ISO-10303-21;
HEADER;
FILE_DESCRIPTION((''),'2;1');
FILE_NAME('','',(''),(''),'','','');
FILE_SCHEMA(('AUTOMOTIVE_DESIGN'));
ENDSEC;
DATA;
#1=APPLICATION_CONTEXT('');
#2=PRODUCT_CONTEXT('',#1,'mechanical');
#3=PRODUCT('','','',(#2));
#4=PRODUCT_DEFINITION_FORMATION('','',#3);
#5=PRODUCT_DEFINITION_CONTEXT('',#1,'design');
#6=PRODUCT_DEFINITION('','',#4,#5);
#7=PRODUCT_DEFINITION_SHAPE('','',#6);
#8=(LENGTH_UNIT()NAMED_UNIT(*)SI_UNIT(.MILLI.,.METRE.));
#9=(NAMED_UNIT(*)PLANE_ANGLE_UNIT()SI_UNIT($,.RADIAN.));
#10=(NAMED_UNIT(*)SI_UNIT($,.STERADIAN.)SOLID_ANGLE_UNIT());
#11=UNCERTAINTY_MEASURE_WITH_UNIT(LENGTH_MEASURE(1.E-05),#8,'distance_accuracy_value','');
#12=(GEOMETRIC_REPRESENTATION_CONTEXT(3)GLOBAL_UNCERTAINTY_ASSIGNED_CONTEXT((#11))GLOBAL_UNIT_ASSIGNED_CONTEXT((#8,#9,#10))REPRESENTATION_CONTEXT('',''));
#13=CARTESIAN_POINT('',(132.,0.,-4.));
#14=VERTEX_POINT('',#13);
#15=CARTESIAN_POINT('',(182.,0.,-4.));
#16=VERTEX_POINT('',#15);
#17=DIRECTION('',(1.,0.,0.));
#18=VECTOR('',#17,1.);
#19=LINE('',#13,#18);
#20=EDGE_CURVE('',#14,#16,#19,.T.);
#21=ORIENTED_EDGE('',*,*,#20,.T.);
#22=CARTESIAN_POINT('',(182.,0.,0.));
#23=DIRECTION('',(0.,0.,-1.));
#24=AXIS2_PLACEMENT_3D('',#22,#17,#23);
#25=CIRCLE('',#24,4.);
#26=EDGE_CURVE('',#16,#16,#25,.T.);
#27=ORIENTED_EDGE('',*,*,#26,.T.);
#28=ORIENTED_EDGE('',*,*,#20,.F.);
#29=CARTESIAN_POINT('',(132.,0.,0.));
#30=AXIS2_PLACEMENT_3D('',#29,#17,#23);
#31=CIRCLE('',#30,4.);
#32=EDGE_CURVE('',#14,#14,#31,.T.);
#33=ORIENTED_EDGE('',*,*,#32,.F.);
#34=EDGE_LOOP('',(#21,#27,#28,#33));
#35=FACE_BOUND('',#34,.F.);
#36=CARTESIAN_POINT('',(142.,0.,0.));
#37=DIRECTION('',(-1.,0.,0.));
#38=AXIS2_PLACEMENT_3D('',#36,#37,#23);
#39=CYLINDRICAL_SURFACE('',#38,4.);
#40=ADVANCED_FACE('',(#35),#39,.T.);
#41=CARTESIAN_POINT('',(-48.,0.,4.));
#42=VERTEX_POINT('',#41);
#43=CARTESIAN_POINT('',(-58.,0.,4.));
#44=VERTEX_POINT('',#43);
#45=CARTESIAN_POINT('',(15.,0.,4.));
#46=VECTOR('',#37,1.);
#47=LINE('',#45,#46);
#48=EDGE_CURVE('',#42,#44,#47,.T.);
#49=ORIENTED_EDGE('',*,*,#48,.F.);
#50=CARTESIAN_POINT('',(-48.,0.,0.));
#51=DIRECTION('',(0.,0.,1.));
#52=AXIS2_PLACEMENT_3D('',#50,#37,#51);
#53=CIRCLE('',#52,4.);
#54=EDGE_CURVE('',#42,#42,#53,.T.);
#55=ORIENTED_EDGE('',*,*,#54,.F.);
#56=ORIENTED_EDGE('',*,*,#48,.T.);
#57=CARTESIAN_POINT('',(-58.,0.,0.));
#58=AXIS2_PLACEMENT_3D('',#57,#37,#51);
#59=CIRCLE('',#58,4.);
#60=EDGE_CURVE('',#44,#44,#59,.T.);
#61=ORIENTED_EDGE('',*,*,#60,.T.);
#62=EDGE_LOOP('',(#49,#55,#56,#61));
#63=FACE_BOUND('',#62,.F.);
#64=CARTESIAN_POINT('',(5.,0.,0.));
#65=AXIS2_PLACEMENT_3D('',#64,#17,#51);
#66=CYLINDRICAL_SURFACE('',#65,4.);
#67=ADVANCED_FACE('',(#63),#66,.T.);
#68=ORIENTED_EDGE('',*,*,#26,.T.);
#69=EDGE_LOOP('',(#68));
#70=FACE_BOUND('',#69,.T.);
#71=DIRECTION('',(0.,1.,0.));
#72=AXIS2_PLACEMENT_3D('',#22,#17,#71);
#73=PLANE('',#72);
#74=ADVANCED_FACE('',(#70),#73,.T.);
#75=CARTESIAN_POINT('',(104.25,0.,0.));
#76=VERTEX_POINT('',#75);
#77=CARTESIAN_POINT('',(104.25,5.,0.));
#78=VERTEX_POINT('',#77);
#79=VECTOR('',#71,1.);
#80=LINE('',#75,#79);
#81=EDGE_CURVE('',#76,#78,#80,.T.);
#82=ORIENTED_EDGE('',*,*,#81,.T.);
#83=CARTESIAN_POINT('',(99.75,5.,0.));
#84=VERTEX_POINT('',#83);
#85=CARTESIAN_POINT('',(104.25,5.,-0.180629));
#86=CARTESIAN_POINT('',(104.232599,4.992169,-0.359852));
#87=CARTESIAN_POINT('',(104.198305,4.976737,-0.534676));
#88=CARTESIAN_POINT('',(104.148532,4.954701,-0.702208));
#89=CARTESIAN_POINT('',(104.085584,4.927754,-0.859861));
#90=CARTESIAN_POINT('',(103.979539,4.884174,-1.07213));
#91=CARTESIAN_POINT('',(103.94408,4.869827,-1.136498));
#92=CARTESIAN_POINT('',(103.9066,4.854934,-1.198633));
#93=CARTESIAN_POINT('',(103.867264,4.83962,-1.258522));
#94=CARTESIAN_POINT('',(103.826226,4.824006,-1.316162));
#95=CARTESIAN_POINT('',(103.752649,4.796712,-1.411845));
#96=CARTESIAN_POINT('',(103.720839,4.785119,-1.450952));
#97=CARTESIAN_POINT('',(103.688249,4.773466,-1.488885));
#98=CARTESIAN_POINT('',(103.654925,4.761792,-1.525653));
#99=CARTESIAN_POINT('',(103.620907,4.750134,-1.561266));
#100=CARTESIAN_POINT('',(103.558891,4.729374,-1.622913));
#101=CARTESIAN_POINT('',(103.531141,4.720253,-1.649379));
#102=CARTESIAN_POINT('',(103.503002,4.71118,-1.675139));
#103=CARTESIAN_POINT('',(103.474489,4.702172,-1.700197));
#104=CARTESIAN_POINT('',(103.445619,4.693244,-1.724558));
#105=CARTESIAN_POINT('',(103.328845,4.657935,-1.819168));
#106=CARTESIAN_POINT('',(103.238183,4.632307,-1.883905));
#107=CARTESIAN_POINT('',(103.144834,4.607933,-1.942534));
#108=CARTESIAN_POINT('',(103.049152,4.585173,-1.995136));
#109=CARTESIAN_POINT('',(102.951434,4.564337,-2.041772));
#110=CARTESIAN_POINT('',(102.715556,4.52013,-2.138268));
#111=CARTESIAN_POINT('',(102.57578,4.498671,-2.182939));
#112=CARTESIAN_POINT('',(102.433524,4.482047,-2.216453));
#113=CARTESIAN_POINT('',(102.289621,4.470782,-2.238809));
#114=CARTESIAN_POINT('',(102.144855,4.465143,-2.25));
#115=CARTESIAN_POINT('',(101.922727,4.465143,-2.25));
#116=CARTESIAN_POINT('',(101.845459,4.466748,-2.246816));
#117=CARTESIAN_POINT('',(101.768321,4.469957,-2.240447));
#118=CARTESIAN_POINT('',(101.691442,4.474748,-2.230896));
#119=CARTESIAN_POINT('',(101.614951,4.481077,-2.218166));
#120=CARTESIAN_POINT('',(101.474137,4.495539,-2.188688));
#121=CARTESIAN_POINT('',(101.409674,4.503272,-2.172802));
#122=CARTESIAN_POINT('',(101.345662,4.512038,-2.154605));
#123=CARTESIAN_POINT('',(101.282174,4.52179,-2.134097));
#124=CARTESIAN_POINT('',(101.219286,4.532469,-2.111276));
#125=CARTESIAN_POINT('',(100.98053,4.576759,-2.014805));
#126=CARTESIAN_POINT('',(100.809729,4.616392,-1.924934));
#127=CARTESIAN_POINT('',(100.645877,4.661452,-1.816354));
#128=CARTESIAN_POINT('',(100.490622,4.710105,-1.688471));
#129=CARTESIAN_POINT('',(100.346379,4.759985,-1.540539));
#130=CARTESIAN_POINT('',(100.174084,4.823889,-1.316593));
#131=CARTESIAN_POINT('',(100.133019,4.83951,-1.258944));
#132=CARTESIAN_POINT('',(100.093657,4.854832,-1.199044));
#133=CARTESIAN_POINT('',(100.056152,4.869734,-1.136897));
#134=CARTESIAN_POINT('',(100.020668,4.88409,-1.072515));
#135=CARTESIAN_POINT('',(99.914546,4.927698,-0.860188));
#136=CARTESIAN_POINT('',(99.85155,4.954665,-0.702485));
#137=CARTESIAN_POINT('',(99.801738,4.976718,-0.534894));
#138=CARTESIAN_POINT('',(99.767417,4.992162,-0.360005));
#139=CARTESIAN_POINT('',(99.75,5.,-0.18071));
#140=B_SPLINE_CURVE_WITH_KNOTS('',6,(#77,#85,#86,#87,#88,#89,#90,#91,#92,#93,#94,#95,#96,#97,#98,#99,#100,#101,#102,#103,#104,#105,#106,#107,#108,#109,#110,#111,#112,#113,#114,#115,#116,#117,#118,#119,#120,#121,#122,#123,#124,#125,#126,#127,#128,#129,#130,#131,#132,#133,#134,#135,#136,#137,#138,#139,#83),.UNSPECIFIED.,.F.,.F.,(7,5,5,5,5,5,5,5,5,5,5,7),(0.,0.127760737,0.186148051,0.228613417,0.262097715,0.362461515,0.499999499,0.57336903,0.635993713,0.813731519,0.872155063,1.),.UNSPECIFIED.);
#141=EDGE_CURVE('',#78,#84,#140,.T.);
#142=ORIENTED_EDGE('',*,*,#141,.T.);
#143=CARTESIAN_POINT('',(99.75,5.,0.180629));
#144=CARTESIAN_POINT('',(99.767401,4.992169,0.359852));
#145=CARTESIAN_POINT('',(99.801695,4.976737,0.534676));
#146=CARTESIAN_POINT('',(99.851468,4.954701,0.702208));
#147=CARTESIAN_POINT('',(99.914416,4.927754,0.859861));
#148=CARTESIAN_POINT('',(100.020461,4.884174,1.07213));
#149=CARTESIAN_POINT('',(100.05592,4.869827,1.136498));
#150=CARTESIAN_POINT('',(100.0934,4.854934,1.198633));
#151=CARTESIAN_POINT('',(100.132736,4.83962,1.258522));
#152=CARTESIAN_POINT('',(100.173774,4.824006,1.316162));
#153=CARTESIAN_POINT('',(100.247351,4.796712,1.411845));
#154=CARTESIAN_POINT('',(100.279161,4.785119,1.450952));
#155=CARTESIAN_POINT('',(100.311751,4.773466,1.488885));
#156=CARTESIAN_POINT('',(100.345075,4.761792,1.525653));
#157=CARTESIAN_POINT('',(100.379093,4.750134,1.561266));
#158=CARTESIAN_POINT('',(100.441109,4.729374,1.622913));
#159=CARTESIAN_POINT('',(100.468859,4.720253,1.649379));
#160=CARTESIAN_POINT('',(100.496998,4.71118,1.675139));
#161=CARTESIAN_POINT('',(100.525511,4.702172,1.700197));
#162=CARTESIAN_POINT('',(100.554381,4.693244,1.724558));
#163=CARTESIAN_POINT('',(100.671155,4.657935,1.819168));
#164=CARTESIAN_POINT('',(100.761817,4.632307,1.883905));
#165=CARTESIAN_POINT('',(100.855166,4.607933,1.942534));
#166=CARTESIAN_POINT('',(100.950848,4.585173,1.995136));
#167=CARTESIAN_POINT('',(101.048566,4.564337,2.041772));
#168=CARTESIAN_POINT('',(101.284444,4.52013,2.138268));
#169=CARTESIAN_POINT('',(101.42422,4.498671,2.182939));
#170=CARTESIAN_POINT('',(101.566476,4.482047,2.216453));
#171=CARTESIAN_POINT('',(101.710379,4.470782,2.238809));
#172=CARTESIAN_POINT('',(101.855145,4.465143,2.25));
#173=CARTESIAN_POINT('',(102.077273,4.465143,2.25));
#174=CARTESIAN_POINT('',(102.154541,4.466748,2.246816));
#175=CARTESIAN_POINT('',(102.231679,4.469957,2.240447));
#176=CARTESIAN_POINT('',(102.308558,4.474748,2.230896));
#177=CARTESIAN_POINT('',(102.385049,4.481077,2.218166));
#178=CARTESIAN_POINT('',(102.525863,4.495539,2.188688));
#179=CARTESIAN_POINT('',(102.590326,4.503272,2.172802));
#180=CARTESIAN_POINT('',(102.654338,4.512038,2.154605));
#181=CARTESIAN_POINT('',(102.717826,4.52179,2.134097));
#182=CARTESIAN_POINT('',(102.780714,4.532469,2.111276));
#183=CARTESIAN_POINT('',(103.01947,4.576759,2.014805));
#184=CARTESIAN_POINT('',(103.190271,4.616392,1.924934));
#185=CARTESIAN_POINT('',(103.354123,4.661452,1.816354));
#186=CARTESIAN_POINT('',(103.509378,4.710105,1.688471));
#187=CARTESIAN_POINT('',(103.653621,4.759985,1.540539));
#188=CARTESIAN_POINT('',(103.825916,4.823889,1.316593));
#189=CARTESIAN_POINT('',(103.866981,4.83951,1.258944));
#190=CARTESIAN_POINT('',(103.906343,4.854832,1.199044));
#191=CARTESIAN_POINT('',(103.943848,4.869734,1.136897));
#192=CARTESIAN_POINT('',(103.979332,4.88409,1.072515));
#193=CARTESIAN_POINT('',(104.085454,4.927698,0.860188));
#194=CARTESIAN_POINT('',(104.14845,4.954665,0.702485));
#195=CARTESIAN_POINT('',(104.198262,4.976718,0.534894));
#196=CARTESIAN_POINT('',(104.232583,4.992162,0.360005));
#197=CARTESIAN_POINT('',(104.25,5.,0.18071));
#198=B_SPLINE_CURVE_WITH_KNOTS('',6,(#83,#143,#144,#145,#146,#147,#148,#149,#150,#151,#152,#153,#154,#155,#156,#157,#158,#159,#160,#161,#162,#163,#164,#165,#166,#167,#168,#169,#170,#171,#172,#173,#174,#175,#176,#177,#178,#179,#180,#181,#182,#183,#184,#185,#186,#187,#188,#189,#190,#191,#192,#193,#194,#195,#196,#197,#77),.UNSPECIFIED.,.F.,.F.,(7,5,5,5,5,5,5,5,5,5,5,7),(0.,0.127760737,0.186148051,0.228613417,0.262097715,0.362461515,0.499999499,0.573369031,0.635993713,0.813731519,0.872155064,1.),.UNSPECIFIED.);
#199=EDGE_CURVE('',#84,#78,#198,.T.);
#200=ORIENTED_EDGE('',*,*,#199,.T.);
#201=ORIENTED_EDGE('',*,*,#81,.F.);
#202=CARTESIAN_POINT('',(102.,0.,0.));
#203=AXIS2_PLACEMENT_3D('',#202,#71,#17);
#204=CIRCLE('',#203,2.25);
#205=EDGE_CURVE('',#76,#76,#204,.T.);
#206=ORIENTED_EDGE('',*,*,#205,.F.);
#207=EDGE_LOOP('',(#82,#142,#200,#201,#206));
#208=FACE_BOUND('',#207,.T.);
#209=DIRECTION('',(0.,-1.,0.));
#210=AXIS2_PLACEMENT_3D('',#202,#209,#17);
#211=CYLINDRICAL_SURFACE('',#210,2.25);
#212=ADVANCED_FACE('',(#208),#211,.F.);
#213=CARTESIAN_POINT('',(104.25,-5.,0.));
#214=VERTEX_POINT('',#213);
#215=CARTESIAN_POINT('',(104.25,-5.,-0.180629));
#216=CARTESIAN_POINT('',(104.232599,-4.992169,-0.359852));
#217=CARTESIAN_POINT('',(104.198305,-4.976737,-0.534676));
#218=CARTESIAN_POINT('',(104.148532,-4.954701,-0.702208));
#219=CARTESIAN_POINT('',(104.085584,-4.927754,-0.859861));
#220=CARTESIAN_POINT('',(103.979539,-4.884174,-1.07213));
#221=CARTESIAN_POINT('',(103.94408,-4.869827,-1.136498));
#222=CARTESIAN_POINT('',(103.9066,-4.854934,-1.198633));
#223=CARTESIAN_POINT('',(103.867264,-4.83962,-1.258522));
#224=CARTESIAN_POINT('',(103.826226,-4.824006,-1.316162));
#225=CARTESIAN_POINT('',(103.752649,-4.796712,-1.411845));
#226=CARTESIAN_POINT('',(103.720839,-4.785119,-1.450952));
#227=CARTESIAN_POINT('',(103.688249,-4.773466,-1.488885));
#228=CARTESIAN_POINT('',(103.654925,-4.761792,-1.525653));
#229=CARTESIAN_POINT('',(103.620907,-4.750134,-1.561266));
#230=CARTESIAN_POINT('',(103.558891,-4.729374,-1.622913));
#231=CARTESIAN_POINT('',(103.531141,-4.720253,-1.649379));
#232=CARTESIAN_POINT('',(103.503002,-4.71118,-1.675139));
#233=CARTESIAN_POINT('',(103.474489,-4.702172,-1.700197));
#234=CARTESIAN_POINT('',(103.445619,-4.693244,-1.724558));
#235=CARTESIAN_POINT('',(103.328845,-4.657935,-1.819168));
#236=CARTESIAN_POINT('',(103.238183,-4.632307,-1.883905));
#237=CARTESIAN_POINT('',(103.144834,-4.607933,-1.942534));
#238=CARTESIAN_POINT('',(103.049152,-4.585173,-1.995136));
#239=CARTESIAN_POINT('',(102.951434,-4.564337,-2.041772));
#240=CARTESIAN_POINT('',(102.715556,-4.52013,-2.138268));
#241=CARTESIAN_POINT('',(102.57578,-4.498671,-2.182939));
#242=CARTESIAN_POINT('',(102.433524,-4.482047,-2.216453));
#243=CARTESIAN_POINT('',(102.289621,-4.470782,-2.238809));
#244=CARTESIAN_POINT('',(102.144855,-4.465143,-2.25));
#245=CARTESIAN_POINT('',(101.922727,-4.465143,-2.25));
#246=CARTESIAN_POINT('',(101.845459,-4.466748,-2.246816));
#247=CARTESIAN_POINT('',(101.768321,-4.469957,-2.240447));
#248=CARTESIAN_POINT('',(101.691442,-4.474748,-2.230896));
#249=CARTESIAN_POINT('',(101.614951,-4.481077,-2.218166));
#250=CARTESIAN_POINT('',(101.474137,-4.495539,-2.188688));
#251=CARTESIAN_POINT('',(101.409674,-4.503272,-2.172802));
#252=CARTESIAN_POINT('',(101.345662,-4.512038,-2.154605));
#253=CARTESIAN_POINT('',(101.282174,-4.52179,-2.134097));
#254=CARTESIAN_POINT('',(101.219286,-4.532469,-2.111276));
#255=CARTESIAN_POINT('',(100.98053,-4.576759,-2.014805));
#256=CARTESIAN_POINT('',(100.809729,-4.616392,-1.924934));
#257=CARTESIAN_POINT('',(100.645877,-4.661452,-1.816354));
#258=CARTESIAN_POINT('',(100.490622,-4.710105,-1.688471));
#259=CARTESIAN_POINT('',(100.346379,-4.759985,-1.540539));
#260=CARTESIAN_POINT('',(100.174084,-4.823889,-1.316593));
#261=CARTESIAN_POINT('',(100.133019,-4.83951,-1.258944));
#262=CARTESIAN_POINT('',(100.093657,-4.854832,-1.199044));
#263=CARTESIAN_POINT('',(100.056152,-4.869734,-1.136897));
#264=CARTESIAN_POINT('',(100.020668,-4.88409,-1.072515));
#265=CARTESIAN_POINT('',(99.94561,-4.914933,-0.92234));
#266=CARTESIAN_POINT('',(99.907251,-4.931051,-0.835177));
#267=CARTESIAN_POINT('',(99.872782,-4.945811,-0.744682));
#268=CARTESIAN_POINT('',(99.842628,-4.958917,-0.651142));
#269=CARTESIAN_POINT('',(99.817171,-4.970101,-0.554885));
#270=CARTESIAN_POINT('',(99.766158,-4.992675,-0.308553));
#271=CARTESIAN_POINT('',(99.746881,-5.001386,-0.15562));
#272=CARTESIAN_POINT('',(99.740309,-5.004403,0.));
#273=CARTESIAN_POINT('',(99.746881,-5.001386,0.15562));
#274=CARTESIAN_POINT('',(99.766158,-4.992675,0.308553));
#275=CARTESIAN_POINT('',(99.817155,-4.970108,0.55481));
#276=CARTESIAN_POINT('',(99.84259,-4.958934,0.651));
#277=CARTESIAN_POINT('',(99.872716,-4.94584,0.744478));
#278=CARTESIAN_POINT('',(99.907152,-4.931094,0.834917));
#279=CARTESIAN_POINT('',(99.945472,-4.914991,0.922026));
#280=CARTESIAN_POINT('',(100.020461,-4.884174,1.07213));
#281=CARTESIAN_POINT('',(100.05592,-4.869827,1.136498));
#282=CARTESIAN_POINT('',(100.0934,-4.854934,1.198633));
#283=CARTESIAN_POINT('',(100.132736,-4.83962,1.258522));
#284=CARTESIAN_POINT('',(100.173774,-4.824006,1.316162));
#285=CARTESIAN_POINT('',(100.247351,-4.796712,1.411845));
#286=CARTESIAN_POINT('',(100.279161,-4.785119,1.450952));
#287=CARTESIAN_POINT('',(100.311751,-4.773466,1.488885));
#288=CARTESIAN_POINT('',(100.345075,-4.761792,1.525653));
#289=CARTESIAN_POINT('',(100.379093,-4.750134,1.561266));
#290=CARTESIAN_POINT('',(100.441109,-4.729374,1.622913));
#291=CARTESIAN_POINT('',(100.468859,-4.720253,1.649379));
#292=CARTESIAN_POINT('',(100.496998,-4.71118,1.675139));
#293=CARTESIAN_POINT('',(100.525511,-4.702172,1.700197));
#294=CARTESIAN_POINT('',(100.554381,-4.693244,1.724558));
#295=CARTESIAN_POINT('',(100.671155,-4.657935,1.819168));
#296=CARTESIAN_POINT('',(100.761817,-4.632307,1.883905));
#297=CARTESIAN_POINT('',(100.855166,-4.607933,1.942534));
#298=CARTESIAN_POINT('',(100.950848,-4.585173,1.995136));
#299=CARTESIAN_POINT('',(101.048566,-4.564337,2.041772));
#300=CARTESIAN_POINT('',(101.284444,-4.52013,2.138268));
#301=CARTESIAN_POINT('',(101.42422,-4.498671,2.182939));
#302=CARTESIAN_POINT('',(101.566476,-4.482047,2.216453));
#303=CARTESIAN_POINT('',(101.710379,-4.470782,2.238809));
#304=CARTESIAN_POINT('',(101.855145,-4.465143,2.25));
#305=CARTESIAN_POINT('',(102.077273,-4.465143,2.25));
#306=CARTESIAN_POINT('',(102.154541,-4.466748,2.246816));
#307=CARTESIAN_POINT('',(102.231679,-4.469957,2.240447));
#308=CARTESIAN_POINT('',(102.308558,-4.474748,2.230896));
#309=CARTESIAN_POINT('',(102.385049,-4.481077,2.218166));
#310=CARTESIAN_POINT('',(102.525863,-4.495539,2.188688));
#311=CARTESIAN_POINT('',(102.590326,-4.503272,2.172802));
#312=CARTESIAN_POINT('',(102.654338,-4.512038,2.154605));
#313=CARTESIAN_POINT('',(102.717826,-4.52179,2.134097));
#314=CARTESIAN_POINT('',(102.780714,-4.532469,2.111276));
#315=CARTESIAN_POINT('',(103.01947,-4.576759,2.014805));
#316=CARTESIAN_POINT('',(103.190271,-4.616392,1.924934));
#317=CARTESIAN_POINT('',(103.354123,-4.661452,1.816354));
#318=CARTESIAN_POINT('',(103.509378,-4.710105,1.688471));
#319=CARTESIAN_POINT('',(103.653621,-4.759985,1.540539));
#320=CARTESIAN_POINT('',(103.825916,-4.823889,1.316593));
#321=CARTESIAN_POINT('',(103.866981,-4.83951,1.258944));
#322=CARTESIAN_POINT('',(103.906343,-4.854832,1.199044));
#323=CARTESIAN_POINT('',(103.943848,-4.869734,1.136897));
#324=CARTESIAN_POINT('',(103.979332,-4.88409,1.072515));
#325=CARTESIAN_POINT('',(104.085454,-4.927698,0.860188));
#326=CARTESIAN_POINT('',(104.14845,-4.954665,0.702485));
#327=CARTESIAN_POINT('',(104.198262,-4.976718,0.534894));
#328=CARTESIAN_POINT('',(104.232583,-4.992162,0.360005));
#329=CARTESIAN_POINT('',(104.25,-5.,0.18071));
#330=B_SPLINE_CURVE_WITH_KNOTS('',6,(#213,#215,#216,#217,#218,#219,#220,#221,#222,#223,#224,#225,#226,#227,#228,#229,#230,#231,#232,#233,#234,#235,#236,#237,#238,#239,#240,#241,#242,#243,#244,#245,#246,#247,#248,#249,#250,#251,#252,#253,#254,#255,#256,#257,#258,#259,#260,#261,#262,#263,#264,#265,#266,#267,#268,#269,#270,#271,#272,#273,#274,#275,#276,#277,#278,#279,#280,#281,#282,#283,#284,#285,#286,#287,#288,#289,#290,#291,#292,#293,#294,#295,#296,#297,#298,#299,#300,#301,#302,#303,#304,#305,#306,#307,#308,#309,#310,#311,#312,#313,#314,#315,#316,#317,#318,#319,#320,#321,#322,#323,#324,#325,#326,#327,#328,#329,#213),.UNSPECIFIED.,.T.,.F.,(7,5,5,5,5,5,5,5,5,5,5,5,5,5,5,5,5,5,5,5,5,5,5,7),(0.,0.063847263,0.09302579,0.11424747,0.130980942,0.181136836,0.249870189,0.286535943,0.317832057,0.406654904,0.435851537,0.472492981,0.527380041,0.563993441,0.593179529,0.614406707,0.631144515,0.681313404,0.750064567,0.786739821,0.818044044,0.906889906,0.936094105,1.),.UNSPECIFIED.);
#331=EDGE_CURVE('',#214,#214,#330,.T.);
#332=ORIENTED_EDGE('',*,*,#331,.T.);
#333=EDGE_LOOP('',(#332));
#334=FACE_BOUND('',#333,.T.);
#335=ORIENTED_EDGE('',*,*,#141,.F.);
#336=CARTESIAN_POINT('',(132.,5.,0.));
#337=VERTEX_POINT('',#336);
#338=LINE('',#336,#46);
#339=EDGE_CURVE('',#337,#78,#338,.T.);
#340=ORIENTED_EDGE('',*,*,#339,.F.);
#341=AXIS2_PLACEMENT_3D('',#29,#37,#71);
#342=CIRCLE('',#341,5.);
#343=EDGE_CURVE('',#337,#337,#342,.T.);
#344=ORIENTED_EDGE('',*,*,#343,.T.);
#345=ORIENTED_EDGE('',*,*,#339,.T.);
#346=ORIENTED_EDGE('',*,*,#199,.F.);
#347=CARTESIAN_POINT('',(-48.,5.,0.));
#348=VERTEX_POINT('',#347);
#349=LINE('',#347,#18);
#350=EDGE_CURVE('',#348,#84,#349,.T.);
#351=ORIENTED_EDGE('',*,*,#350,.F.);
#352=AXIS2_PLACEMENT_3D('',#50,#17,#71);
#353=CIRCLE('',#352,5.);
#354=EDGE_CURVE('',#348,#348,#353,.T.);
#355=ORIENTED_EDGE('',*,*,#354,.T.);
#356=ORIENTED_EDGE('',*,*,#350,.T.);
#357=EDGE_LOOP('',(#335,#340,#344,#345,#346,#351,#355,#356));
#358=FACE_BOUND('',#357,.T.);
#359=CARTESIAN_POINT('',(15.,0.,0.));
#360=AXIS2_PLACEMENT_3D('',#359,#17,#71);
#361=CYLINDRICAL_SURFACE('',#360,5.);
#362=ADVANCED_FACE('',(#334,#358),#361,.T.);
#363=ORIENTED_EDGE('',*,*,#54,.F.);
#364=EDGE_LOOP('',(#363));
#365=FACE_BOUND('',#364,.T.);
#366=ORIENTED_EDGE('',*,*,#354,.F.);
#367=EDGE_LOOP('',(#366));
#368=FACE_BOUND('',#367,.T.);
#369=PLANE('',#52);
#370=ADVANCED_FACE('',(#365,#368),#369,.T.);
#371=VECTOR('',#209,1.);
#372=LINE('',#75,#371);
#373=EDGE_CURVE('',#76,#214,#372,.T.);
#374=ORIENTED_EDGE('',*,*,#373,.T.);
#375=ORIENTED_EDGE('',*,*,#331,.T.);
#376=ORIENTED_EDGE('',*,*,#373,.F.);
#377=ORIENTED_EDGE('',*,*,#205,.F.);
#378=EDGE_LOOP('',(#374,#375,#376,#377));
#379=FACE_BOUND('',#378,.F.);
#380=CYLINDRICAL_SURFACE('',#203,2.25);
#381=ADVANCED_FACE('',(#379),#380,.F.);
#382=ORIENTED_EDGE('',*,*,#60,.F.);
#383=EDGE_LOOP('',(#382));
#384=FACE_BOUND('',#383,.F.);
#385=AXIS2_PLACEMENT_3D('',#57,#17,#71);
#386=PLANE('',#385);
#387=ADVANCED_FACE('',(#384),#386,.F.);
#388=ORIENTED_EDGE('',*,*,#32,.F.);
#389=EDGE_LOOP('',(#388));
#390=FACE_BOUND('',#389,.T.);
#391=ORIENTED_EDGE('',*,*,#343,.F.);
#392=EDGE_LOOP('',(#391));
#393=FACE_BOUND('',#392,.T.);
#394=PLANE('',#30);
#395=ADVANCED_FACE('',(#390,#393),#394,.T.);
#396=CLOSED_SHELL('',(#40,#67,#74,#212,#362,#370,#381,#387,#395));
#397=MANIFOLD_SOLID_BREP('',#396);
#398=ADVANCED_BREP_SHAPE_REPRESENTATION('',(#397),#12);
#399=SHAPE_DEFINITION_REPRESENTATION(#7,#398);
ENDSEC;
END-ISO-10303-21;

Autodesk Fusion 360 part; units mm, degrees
sketch "Sketch1" plane through (0, 0, 0) normal (1, 0, 0) x (0, 1, 0)
  circle A0 centre (0, 0) radius 5
  dimension "d1" = 10
extrude "Extrude1" add sketch "Sketch1" along normal blind 130
sketch "Sketch2" plane through (130, 0, 0) normal (1, 0, 0) x (0, 0, -1)
  circle A0 centre (0, 0) radius 5
  circle A1 centre (0, 0) radius 4
  dimension "d4" = 8
extrude "Extrude2" cut sketch "Sketch2" against normal blind 50
sketch "Sketch3" plane through (0, 0, 0) normal (-1, 0, 0) x (0, 0, 1)
  circle A0 centre (0, 0) radius 5
  circle A1 centre (0, 0) radius 4
  dimension "d7" = 8
extrude "Extrude3" cut sketch "Sketch3" against normal blind 20
extrude "Extrude4" add 1 faces at (20, 4.6443, -0.348) along direction (-1, 0, 0) blind 5
extrude "Extrude5" cut 1 faces at (0, -0.5286, 1.4202) along direction (1, 0, 0) blind 5
extrude "Extrude6" add 1 faces at (80, 4.6443, 0.348) along direction (1, 0, 0) blind 52
extrude "Extrude7" add 1 faces at (130, -0.2204, 1.0288) along direction (1, 0, 0) blind 12
extrude "Extrude8" add 1 faces at (142, -0.2204, 1.0288) along direction (1, 0, 0) blind 40
sketch "Sketch4" plane through (0, 0, 0) normal (0, 1, 0) x (1, 0, 0)
sketch "Sketch5" plane through (0, 0, 0) normal (0, 1, 0) x (1, 0, 0)
sketch "Sketch6" plane through (0, 0, 0) normal (0, 1, 0) x (1, 0, 0)
  line L0 (132, 0) -> (107, 0)
  circle A0 centre (107, 0) radius 2.25
  dimension "d20" = 25
  dimension "d21" = 4.5
sketch "Sketch7" plane through (0, 0, 0) normal (0, 1, 0) x (1, 0, 0)
  line L0 (107, 0) -> (85, 0)
sketch "Sketch9" plane through (0, 0, 0) normal (0, 1, 0) x (1, 0, 0)
  circle A0 centre (102, 0) radius 2.25
  line L0 (132, -5) -> (132, 5)
  dimension "d32" = 4.5
  dimension "d33" = 30
extrude "Extrude13" cut sketch "Sketch9" along normal mid plane 20
sketch "Sketch10" plane through (0, 0, 0) normal (0, 1, 0) x (1, 0, 0)
extrude "Extrude14" add 1 faces at (5, -0.5286, 1.4202) along direction (-1, 0, 0) blind 63
extrude "Extrude15" add 1 faces at (15, 4.6443, -0.348) along direction (-1, 0, 0) blind 63
sketch "Sketch8" plane through (0, 0, 0) normal (0, 1, 0) x (1, 0, 0)
extrude "Extrude11" [suppressed]
extrude "Extrude12" [suppressed]
